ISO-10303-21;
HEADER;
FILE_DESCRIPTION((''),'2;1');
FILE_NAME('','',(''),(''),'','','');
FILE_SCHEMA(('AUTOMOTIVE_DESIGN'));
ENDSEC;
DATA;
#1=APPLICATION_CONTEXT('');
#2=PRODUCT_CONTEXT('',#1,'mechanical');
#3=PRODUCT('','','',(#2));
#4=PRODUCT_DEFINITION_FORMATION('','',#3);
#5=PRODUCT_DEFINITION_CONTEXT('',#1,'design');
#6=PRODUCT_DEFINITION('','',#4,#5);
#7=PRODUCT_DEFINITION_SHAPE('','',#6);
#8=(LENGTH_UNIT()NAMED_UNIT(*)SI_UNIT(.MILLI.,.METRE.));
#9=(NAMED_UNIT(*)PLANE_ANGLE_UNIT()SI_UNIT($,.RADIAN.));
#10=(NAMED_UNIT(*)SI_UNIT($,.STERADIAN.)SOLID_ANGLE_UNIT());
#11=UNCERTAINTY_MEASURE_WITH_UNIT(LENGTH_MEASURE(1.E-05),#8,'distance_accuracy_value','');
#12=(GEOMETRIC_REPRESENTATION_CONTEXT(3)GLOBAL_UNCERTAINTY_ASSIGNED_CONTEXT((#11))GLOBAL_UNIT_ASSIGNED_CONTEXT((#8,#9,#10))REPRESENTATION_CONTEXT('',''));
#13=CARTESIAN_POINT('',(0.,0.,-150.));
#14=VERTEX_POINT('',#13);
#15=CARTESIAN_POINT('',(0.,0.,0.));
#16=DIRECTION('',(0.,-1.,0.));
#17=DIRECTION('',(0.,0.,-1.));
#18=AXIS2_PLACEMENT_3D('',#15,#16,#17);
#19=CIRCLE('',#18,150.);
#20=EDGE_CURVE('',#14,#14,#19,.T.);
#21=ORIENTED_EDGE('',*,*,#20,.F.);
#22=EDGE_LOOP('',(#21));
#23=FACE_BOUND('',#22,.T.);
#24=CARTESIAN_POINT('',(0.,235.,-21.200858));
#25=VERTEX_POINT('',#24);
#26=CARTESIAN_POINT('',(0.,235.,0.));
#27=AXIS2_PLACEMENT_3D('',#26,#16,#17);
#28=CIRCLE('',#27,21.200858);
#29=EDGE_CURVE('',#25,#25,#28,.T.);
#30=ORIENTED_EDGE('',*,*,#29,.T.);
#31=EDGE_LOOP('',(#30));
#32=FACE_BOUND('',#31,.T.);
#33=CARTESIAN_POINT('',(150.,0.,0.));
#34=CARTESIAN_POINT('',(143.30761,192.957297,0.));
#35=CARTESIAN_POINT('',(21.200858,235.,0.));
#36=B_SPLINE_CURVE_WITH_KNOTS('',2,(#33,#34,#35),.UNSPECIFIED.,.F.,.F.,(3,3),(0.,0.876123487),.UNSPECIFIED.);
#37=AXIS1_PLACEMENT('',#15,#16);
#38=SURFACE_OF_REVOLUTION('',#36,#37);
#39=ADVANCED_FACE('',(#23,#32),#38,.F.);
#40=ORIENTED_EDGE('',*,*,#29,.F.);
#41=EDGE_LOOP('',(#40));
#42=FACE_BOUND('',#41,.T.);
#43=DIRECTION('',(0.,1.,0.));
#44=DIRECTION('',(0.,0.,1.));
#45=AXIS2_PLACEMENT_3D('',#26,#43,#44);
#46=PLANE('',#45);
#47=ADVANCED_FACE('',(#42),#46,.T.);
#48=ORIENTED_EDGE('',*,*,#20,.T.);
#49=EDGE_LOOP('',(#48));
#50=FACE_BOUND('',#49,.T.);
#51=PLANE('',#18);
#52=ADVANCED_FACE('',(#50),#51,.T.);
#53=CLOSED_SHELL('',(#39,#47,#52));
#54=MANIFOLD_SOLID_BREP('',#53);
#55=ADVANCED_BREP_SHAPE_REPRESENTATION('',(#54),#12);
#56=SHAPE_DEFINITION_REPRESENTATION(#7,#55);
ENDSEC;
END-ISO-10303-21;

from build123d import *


with BuildPart() as part:
    # Sketch2 → Revolve1 (revolve)
    with BuildSketch(Plane.XY):
        with BuildLine():
            Line((0, 0), (0, 235))
            Line((0, 235), (21.200857963, 235))
            add(Edge.make_bspline(
                [(150, 0), (143.307610186, 192.957297178), (21.200857963, 235)],
                knots=[0, 0, 0, 0.876123487, 0.876123487, 0.876123487], degree=2))
            Line((150, 0), (0, 0))
        make_face()
    revolve(axis=Axis((0, 0, 0), (0, 1, 0)))


solid = part.part
